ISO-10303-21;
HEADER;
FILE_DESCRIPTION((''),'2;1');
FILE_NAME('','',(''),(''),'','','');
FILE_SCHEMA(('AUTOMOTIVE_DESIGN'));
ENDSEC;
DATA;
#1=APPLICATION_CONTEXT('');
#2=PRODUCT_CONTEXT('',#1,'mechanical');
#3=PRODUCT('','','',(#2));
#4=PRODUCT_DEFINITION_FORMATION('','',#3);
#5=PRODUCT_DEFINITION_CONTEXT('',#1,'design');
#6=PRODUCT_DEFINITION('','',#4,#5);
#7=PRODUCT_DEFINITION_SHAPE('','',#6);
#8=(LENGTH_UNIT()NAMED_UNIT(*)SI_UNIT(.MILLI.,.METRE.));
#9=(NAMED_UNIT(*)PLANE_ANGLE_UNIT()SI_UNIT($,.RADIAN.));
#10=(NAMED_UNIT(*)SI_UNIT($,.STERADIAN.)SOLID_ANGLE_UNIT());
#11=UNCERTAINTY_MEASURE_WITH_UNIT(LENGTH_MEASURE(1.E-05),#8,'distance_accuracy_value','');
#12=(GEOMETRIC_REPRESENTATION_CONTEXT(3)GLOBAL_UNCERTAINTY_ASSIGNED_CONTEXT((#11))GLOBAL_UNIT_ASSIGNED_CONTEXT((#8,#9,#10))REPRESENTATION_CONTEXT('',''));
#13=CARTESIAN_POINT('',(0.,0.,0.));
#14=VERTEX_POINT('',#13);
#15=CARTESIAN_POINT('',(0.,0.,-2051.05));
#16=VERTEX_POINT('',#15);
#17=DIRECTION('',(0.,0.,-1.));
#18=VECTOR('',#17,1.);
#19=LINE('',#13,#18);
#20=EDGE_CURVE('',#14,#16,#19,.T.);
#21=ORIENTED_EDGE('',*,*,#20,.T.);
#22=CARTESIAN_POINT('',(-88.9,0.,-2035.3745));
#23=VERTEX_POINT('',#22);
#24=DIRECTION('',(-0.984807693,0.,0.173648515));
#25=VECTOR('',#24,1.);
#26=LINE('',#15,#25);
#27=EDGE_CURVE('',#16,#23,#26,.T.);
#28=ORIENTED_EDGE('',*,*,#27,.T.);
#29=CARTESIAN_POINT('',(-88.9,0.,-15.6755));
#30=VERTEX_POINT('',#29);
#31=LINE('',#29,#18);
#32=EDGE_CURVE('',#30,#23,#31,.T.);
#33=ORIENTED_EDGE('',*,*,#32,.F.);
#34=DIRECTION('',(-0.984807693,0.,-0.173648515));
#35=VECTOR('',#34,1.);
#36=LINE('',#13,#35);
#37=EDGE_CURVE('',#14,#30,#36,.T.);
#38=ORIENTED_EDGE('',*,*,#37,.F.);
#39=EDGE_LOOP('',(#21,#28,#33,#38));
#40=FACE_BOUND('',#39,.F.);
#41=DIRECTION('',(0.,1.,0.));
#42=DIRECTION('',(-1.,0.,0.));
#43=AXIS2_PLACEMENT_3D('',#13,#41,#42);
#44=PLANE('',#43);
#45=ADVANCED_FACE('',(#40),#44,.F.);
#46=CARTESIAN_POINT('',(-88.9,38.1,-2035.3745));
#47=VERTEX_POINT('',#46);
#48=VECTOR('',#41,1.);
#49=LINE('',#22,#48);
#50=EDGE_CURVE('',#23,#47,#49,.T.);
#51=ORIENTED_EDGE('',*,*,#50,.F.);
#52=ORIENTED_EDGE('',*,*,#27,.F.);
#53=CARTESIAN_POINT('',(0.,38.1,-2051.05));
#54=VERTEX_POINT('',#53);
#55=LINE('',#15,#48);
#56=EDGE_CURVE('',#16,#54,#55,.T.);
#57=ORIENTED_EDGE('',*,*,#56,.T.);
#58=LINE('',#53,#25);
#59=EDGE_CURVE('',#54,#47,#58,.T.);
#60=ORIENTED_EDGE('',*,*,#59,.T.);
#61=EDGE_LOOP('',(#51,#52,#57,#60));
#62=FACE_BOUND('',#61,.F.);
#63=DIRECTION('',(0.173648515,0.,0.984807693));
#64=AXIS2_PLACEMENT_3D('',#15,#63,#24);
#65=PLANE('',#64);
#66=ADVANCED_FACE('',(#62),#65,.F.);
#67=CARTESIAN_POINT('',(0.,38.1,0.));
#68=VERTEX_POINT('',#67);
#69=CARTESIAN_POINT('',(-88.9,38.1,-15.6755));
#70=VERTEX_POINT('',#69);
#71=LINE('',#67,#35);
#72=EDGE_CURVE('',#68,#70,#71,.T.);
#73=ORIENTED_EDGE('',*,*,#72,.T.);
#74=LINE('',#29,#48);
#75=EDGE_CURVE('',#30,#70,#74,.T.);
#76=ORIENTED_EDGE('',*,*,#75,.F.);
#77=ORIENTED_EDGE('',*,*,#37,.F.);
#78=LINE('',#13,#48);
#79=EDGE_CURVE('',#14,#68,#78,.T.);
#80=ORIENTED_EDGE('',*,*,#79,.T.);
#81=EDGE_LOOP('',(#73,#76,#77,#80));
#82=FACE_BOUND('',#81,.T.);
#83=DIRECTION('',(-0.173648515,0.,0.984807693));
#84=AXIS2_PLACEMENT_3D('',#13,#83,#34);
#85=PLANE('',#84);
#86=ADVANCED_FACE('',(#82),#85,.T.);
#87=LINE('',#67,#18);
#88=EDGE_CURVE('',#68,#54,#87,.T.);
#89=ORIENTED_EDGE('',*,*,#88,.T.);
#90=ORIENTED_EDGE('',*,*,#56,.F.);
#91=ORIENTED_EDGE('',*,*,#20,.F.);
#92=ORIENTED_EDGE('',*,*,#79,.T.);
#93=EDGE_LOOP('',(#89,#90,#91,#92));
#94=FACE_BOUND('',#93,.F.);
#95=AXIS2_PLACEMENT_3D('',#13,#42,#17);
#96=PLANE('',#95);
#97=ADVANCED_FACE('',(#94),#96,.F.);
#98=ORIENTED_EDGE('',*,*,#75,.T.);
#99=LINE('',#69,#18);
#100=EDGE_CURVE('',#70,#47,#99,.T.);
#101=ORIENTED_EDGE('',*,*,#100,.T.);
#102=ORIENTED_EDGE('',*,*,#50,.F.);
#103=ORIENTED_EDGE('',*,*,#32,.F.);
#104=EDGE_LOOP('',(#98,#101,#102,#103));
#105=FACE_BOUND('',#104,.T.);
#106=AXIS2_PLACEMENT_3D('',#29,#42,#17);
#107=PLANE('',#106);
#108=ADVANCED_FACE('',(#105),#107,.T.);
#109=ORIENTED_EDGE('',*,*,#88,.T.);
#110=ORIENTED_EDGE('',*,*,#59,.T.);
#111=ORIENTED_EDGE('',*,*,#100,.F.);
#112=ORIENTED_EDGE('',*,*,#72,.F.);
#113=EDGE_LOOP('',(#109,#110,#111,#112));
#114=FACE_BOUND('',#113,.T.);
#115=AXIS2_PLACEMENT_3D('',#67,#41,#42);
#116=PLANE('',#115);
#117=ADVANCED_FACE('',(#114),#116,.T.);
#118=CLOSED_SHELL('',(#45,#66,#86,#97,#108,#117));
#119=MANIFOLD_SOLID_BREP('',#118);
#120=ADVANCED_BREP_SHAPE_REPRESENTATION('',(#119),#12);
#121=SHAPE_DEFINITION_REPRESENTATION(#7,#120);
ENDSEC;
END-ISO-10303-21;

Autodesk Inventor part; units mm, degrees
ref_plane "YZ Plane" through (0, 0, 0) normal (1, 0, 0) x (0, 1, 0)
ref_plane "XZ Plane" through (0, 0, 0) normal (0, 1, 0) x (-1, 0, 0)
ref_plane "XY Plane" through (0, 0, 0) normal (0, 0, 1) x (1, 0, 0)
sketch "Sketch1" plane through (0, 0, 0) normal (0, 1, 0) x (-1, 0, 0)
  line L0 (0, 0) -> (88.9, -15.6755)
  line L1 (0, 0) -> (117.2884, 0) construction
  line L2 (88.9, -15.6755) -> (88.9, -2035.3745)
  line L3 (0, 0) -> (0, -2051.05)
  line L4 (0, -2051.05) -> (88.9, -2035.3745)
  line L5 (0, -2051.05) -> (0, 0)
  dimension "d7" = 2051.05
extrude "Extrusion1" add sketch "Sketch1" along normal blind 38.1
properties part number "S_2x4x82"
